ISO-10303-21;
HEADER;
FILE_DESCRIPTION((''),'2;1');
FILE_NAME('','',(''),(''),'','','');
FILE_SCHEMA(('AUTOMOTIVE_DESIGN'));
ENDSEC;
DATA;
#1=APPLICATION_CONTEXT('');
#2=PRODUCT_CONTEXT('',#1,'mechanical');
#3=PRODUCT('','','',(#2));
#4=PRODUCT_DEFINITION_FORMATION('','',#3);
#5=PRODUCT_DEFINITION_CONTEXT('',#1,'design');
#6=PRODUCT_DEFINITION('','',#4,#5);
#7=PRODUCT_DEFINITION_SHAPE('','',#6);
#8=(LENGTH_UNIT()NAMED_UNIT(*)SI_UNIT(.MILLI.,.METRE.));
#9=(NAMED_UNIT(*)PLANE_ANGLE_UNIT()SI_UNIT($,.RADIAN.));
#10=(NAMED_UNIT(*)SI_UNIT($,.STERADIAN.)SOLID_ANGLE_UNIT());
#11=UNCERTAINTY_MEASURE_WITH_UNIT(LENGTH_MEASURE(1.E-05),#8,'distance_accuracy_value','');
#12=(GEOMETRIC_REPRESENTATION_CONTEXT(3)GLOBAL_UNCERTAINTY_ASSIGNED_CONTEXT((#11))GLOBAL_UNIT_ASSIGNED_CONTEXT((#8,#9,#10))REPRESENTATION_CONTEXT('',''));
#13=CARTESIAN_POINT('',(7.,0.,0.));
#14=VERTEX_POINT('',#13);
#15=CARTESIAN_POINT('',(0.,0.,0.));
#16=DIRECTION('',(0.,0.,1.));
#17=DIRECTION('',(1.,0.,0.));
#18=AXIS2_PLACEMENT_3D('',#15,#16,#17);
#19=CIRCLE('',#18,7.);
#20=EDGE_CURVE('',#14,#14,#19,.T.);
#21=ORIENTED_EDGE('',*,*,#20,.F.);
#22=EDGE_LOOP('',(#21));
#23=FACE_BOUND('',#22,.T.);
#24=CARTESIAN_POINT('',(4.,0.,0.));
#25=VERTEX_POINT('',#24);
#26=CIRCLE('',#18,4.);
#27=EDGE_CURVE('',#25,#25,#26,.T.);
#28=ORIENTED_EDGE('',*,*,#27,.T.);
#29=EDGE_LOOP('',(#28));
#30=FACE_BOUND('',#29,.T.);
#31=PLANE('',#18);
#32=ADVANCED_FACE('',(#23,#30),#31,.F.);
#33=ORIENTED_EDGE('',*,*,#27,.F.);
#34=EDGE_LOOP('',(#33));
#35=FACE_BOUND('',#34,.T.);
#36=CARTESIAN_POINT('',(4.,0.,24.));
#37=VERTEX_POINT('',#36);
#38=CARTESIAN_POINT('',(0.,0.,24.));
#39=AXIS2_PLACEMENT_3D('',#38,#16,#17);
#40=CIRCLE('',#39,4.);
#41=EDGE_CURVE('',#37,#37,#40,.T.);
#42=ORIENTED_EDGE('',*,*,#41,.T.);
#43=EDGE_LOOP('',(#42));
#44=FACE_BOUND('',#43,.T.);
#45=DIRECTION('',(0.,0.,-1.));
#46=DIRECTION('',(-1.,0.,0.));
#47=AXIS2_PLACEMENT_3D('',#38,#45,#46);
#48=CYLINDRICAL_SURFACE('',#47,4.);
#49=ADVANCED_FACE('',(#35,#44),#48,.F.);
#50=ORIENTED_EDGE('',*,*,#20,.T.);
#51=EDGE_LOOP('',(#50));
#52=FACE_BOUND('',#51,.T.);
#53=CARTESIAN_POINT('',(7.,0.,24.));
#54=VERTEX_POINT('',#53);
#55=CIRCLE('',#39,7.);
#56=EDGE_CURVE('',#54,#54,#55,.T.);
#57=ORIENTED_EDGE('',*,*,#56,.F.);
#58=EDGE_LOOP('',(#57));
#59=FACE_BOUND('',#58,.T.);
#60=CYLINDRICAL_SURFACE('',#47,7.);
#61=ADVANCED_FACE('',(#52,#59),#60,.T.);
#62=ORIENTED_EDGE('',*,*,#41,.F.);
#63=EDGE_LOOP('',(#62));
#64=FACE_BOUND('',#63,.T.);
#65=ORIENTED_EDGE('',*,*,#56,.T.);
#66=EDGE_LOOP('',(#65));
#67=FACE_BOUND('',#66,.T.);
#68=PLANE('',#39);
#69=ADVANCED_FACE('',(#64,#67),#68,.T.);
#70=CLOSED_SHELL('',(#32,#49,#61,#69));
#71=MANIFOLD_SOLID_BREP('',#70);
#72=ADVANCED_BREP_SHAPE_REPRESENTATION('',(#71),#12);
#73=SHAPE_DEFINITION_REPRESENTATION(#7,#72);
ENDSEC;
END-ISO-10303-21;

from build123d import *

# Parameters (mm, degrees)
ESQUISSE1_R          = 7
ESQUISSE1_R_2        = 4
BASE_EXTRUSION_DEPTH = 24


with BuildPart() as part:
    # Esquisse1 → Base-Extrusion (new body)
    with BuildSketch(Plane.XY):
        Circle(ESQUISSE1_R)
        Circle(ESQUISSE1_R_2, mode=Mode.SUBTRACT)
    extrude(amount=BASE_EXTRUSION_DEPTH)


solid = part.part
